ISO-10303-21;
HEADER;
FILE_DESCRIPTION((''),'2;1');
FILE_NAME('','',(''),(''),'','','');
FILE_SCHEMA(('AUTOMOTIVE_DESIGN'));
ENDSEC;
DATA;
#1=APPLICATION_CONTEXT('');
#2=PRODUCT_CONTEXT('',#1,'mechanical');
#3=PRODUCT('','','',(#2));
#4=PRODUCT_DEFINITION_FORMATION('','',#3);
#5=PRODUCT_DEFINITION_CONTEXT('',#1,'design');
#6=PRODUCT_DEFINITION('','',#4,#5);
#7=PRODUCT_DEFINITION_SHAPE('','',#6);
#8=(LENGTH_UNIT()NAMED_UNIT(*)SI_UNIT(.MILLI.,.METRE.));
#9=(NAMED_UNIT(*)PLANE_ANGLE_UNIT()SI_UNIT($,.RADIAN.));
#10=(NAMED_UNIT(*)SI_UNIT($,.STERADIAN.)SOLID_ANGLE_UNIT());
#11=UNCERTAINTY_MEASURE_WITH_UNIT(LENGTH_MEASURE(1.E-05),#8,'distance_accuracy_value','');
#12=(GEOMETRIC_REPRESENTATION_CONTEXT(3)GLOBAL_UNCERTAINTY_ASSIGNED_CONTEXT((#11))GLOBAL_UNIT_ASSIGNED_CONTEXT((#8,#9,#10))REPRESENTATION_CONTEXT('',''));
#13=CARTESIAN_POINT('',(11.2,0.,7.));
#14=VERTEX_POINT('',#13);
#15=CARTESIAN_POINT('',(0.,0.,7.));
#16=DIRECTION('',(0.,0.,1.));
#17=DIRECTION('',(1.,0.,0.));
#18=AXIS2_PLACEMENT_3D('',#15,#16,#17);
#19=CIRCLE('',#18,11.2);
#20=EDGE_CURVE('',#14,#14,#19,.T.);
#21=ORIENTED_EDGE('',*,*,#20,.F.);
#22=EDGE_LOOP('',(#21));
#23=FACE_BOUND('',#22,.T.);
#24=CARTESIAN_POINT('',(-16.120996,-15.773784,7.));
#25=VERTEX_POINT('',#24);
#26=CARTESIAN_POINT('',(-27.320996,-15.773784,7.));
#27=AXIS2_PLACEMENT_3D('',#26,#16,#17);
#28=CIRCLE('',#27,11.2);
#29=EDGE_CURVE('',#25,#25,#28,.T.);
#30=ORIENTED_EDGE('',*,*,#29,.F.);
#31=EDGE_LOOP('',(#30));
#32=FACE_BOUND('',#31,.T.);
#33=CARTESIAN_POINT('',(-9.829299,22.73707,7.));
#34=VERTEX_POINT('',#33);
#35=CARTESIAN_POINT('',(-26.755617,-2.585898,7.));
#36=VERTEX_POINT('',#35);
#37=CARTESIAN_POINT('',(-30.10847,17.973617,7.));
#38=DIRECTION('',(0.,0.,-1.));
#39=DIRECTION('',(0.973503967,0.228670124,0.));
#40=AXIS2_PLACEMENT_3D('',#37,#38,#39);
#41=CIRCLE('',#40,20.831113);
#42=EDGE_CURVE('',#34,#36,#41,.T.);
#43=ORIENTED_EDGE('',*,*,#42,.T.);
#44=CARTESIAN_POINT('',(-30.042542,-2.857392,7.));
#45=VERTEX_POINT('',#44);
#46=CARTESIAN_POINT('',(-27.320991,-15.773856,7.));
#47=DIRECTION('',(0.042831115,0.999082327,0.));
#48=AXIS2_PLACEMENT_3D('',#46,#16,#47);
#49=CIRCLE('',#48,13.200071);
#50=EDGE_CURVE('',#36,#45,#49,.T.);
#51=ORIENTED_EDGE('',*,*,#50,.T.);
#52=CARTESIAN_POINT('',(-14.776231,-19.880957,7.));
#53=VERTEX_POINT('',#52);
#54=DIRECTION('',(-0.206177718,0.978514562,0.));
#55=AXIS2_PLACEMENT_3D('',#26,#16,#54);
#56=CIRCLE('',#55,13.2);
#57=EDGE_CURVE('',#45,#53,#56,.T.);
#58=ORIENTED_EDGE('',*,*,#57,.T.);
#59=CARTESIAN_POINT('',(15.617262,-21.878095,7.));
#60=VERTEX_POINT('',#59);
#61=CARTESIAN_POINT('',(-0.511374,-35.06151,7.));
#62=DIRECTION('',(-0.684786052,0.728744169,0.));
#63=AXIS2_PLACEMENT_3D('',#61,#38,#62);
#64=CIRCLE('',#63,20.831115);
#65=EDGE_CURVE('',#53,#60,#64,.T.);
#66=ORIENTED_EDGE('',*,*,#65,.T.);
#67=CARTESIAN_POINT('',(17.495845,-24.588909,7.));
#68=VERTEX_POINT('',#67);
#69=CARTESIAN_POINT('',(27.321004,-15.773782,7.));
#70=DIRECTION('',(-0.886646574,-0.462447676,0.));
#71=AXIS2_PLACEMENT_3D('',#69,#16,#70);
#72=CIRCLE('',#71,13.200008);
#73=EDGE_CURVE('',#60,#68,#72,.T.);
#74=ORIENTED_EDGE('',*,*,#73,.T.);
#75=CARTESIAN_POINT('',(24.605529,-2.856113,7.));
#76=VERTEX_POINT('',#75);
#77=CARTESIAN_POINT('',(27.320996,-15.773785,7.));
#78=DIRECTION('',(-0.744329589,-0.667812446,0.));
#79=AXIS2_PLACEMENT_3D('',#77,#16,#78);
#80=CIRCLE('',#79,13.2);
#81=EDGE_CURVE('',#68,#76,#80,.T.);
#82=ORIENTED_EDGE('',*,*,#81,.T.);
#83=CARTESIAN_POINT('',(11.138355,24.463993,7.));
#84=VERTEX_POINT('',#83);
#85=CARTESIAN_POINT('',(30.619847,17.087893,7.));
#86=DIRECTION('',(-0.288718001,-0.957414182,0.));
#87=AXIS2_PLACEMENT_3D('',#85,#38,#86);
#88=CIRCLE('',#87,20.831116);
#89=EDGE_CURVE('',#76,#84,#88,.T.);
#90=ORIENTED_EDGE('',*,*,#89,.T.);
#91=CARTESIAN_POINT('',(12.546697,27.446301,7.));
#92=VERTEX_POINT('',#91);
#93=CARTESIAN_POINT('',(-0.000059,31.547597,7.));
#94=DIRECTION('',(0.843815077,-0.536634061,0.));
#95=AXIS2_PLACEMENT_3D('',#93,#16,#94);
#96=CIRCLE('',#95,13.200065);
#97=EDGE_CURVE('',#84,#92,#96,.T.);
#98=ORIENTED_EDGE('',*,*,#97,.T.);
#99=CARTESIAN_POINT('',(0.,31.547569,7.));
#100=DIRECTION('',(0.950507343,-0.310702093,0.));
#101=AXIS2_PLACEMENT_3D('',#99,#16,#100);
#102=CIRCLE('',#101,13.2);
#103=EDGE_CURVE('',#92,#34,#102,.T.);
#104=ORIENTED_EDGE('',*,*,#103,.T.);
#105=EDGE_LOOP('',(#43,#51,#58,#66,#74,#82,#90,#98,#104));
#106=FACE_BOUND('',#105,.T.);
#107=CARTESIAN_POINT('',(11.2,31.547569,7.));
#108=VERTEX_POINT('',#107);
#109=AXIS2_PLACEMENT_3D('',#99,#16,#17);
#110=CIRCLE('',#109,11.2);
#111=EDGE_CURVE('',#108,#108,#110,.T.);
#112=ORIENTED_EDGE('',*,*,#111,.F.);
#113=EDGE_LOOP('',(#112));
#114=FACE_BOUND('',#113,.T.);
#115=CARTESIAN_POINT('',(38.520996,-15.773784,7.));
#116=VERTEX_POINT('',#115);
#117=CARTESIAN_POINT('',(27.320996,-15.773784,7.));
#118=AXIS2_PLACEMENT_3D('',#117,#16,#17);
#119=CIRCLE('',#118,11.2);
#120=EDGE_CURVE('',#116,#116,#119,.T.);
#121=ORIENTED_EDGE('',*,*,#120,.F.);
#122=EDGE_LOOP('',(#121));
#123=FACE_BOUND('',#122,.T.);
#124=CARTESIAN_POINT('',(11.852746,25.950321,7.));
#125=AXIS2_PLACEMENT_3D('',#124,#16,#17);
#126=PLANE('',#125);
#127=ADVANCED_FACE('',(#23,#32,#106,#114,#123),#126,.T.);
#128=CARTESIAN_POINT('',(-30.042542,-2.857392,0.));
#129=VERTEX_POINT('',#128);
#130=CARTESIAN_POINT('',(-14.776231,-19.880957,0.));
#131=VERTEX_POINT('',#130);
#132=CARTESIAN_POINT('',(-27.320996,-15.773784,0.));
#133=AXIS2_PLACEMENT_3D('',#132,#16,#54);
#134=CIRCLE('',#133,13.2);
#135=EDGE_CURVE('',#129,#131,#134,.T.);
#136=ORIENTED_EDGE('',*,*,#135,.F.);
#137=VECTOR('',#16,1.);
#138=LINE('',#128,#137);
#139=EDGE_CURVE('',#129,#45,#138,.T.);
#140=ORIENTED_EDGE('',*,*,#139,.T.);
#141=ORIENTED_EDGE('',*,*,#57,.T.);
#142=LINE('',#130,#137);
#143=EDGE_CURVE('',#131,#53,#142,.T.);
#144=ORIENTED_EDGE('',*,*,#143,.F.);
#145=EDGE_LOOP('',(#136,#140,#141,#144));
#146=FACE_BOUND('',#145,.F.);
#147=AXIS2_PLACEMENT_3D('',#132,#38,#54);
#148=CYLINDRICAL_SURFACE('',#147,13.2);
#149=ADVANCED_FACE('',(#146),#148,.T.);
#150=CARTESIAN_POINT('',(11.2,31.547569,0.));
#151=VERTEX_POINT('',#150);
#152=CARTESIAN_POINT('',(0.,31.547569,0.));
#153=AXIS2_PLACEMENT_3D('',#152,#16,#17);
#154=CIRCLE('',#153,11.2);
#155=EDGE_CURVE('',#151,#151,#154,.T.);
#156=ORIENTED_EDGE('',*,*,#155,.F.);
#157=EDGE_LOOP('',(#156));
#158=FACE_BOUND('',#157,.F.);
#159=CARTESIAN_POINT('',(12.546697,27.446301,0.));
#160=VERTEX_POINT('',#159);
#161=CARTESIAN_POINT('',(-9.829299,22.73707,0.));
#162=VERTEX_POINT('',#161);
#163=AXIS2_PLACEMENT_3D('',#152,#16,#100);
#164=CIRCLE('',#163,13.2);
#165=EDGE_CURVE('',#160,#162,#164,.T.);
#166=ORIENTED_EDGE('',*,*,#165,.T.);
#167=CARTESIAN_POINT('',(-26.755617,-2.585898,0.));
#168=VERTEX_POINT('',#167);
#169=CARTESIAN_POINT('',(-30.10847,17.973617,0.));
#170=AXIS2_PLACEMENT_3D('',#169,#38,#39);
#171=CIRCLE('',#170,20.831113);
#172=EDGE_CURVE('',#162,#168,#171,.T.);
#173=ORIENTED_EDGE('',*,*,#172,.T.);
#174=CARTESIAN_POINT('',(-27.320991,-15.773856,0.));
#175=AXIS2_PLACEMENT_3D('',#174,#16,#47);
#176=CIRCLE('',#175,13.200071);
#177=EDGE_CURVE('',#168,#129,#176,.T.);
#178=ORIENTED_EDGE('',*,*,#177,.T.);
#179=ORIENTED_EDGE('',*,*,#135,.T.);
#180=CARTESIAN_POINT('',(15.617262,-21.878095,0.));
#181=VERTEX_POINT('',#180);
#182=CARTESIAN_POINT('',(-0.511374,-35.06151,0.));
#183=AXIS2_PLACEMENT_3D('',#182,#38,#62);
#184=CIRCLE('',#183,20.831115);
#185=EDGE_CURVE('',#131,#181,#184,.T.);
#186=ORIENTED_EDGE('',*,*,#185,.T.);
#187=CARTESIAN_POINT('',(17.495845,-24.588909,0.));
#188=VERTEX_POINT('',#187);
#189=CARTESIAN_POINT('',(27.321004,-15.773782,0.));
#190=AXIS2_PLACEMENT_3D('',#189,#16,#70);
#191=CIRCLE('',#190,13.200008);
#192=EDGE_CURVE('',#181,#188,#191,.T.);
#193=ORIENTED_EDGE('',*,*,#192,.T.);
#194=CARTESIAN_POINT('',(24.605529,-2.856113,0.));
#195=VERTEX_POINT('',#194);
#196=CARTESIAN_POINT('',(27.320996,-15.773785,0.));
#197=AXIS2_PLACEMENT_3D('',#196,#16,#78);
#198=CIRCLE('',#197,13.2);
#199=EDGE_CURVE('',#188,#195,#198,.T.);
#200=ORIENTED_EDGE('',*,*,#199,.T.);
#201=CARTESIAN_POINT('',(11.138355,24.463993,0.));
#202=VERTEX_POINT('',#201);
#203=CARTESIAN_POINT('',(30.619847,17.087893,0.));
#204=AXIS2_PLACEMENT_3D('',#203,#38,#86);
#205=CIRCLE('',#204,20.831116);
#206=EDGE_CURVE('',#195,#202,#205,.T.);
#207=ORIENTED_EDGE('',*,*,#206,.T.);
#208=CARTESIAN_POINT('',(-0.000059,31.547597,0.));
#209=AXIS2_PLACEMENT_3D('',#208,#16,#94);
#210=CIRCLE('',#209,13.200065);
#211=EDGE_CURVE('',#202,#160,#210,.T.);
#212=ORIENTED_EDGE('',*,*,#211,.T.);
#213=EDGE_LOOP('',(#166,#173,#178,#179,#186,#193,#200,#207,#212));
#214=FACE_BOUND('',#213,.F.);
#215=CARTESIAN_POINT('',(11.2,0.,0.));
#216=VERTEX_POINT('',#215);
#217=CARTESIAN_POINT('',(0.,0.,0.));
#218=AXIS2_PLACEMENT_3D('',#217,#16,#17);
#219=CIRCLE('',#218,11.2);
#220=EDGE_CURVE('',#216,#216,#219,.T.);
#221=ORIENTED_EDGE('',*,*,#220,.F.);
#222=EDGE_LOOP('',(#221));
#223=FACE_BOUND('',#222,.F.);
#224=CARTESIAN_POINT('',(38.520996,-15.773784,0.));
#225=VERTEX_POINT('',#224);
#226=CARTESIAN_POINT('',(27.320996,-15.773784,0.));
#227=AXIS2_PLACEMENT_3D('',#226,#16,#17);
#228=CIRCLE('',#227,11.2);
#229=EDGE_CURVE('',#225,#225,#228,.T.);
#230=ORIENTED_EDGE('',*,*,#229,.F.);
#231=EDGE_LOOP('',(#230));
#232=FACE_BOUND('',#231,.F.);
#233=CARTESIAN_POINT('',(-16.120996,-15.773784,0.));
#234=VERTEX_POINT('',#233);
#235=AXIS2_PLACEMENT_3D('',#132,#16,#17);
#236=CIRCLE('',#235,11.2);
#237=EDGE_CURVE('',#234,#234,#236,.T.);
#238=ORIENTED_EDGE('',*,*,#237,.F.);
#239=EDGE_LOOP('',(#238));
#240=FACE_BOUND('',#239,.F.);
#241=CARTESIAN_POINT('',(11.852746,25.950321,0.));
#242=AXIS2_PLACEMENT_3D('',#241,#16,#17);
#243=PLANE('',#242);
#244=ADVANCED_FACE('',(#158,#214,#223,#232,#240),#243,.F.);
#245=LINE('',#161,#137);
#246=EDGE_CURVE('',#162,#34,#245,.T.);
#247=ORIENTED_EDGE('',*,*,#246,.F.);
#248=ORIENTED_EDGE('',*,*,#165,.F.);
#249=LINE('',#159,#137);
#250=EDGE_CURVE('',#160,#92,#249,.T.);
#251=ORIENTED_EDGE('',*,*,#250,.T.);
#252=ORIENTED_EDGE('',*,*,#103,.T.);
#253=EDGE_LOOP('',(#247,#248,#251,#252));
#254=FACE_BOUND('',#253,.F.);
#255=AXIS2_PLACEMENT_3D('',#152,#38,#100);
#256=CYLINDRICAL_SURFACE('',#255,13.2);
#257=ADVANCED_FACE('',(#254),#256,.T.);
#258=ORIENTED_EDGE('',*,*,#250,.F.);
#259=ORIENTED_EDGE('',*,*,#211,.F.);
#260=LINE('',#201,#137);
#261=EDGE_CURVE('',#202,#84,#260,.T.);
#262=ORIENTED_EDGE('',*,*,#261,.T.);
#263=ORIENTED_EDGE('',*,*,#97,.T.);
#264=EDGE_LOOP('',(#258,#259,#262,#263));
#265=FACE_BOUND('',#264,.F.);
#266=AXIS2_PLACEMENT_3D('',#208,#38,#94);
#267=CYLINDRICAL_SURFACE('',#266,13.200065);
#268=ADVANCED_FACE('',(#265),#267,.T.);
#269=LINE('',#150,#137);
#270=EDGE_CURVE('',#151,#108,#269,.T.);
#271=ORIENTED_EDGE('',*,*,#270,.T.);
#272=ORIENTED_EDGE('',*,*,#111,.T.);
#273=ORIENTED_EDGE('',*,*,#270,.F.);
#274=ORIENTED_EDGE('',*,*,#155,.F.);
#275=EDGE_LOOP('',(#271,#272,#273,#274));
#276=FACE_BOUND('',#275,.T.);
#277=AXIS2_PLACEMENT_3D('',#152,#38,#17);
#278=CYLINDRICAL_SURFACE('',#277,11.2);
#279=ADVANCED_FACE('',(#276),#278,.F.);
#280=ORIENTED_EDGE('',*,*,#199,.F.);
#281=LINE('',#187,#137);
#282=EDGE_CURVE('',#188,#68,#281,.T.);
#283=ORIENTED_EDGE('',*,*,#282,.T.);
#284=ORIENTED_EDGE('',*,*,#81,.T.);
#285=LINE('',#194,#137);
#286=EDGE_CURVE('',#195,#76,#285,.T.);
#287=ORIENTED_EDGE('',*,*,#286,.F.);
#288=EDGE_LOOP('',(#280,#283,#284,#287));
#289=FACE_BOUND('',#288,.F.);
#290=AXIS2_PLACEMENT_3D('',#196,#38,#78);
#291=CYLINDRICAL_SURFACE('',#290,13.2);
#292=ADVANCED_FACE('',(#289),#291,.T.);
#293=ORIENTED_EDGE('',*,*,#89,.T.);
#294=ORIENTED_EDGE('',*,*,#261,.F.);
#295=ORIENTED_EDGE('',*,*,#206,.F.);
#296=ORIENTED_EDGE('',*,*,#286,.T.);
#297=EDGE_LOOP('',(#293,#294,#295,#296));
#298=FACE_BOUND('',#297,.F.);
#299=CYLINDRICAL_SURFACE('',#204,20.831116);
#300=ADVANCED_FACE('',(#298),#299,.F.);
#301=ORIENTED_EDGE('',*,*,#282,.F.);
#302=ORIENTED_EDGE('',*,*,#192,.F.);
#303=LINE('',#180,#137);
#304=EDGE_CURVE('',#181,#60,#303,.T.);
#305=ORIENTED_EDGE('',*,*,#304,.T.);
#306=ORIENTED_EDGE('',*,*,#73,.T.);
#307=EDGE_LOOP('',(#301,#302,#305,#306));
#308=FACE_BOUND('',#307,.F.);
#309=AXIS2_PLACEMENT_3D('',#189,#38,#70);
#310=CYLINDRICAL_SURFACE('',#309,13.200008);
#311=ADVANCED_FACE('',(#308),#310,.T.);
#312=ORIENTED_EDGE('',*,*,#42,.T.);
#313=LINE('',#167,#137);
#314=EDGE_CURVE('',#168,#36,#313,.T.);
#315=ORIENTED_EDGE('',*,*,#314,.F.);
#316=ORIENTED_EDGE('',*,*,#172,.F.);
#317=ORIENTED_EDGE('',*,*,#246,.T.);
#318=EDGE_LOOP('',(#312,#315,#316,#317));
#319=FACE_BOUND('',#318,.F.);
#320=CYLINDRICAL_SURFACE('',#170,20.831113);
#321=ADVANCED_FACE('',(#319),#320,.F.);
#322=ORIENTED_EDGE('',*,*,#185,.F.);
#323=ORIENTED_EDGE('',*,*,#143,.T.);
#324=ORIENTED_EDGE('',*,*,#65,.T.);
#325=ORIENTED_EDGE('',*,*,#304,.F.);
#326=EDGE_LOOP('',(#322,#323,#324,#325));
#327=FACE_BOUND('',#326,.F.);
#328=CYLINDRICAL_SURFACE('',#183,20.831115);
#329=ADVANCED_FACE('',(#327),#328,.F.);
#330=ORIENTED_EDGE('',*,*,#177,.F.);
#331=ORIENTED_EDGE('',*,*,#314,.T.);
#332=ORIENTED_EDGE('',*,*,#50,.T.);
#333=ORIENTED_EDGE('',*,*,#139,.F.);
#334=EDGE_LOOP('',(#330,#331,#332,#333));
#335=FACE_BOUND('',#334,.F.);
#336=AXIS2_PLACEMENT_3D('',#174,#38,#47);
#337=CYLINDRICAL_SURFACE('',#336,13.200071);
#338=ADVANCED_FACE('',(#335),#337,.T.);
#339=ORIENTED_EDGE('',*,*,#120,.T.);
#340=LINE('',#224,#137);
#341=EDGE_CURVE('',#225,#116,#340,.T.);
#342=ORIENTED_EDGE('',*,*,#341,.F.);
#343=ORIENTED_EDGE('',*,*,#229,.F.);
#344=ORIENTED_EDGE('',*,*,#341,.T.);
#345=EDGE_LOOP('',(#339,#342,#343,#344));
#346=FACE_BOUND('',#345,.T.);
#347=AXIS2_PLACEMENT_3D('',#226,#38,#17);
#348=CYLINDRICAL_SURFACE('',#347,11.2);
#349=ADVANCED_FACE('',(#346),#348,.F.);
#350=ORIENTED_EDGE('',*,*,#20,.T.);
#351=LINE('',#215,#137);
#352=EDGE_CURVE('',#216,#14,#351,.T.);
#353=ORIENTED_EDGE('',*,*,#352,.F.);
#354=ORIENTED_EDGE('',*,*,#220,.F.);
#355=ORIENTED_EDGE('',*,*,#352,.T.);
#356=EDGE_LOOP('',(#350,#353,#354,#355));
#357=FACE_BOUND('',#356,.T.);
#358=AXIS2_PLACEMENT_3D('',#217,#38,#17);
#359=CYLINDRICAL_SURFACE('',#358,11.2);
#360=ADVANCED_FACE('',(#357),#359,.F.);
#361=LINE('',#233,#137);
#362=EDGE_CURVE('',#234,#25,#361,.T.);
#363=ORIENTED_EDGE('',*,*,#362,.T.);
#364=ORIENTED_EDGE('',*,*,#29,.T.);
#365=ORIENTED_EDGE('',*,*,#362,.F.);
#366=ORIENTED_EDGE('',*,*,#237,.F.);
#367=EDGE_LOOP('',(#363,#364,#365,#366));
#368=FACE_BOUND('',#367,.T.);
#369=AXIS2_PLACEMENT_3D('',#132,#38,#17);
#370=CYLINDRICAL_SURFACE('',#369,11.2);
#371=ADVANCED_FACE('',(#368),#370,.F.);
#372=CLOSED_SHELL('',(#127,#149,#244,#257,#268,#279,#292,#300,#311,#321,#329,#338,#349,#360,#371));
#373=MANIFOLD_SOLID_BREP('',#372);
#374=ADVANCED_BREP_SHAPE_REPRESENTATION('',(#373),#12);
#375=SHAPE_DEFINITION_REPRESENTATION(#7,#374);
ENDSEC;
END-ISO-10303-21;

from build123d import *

# Parameters (mm, degrees)
F0_R     = 11.2
F1_DEPTH = 7


with BuildPart() as f1:
    # F0 (on Top) → F1 (new body)
    with BuildSketch(Plane.XY):
        with BuildLine():
            ThreePointArc((12.546697, 27.446301), (11.783411, 25.983063), (11.138355, 24.463993))
            ThreePointArc((11.138355, 24.463993), (11.936036, 25.910989), (12.546697, 27.446301))
        make_face()
        with BuildLine():
            ThreePointArc((24.605529, -2.856113), (11.935465, 7.877613), (11.138355, 24.463993))
            ThreePointArc((11.138355, 24.463993), (11.783411, 25.983063), (12.546697, 27.446301))
            ThreePointArc((12.546697, 27.446301), (-2.718507, 44.464601), (-9.829299, 22.73707))
            ThreePointArc((-9.829299, 22.73707), (-12.789945, 6.397609), (-26.755617, -2.585898))
            ThreePointArc((-26.755617, -2.585898), (-28.393698, -2.786798), (-30.042542, -2.857392))
            ThreePointArc((-30.042542, -2.857392), (-37.148221, -24.586596), (-14.776231, -19.880957))
            ThreePointArc((-14.776231, -19.880957), (0.85448, -14.275222), (15.617262, -21.878095))
            ThreePointArc((15.617262, -21.878095), (16.610287, -23.196265), (17.495845, -24.588909))
            ThreePointArc((17.495845, -24.588909), (39.866727, -19.878005), (24.605529, -2.856113))
        make_face()
        with Locations((-27.320996, -15.773784)):
            Circle(F0_R, mode=Mode.SUBTRACT)
        with Locations((27.320996, -15.773784)):
            Circle(F0_R, mode=Mode.SUBTRACT)
        Circle(F0_R, mode=Mode.SUBTRACT)
        with Locations((0, 31.547569)):
            Circle(F0_R, mode=Mode.SUBTRACT)
        with BuildLine():
            ThreePointArc((15.617262, -21.878095), (16.471556, -23.292405), (17.495845, -24.588909))
            ThreePointArc((17.495845, -24.588909), (16.610287, -23.196265), (15.617262, -21.878095))
        make_face()
        with BuildLine():
            ThreePointArc((-30.042542, -2.857392), (-28.393698, -2.786798), (-26.755617, -2.585898))
            ThreePointArc((-26.755617, -2.585898), (-28.407592, -2.618584), (-30.042542, -2.857392))
        make_face()
    extrude(amount=F1_DEPTH)


solid = f1.part
